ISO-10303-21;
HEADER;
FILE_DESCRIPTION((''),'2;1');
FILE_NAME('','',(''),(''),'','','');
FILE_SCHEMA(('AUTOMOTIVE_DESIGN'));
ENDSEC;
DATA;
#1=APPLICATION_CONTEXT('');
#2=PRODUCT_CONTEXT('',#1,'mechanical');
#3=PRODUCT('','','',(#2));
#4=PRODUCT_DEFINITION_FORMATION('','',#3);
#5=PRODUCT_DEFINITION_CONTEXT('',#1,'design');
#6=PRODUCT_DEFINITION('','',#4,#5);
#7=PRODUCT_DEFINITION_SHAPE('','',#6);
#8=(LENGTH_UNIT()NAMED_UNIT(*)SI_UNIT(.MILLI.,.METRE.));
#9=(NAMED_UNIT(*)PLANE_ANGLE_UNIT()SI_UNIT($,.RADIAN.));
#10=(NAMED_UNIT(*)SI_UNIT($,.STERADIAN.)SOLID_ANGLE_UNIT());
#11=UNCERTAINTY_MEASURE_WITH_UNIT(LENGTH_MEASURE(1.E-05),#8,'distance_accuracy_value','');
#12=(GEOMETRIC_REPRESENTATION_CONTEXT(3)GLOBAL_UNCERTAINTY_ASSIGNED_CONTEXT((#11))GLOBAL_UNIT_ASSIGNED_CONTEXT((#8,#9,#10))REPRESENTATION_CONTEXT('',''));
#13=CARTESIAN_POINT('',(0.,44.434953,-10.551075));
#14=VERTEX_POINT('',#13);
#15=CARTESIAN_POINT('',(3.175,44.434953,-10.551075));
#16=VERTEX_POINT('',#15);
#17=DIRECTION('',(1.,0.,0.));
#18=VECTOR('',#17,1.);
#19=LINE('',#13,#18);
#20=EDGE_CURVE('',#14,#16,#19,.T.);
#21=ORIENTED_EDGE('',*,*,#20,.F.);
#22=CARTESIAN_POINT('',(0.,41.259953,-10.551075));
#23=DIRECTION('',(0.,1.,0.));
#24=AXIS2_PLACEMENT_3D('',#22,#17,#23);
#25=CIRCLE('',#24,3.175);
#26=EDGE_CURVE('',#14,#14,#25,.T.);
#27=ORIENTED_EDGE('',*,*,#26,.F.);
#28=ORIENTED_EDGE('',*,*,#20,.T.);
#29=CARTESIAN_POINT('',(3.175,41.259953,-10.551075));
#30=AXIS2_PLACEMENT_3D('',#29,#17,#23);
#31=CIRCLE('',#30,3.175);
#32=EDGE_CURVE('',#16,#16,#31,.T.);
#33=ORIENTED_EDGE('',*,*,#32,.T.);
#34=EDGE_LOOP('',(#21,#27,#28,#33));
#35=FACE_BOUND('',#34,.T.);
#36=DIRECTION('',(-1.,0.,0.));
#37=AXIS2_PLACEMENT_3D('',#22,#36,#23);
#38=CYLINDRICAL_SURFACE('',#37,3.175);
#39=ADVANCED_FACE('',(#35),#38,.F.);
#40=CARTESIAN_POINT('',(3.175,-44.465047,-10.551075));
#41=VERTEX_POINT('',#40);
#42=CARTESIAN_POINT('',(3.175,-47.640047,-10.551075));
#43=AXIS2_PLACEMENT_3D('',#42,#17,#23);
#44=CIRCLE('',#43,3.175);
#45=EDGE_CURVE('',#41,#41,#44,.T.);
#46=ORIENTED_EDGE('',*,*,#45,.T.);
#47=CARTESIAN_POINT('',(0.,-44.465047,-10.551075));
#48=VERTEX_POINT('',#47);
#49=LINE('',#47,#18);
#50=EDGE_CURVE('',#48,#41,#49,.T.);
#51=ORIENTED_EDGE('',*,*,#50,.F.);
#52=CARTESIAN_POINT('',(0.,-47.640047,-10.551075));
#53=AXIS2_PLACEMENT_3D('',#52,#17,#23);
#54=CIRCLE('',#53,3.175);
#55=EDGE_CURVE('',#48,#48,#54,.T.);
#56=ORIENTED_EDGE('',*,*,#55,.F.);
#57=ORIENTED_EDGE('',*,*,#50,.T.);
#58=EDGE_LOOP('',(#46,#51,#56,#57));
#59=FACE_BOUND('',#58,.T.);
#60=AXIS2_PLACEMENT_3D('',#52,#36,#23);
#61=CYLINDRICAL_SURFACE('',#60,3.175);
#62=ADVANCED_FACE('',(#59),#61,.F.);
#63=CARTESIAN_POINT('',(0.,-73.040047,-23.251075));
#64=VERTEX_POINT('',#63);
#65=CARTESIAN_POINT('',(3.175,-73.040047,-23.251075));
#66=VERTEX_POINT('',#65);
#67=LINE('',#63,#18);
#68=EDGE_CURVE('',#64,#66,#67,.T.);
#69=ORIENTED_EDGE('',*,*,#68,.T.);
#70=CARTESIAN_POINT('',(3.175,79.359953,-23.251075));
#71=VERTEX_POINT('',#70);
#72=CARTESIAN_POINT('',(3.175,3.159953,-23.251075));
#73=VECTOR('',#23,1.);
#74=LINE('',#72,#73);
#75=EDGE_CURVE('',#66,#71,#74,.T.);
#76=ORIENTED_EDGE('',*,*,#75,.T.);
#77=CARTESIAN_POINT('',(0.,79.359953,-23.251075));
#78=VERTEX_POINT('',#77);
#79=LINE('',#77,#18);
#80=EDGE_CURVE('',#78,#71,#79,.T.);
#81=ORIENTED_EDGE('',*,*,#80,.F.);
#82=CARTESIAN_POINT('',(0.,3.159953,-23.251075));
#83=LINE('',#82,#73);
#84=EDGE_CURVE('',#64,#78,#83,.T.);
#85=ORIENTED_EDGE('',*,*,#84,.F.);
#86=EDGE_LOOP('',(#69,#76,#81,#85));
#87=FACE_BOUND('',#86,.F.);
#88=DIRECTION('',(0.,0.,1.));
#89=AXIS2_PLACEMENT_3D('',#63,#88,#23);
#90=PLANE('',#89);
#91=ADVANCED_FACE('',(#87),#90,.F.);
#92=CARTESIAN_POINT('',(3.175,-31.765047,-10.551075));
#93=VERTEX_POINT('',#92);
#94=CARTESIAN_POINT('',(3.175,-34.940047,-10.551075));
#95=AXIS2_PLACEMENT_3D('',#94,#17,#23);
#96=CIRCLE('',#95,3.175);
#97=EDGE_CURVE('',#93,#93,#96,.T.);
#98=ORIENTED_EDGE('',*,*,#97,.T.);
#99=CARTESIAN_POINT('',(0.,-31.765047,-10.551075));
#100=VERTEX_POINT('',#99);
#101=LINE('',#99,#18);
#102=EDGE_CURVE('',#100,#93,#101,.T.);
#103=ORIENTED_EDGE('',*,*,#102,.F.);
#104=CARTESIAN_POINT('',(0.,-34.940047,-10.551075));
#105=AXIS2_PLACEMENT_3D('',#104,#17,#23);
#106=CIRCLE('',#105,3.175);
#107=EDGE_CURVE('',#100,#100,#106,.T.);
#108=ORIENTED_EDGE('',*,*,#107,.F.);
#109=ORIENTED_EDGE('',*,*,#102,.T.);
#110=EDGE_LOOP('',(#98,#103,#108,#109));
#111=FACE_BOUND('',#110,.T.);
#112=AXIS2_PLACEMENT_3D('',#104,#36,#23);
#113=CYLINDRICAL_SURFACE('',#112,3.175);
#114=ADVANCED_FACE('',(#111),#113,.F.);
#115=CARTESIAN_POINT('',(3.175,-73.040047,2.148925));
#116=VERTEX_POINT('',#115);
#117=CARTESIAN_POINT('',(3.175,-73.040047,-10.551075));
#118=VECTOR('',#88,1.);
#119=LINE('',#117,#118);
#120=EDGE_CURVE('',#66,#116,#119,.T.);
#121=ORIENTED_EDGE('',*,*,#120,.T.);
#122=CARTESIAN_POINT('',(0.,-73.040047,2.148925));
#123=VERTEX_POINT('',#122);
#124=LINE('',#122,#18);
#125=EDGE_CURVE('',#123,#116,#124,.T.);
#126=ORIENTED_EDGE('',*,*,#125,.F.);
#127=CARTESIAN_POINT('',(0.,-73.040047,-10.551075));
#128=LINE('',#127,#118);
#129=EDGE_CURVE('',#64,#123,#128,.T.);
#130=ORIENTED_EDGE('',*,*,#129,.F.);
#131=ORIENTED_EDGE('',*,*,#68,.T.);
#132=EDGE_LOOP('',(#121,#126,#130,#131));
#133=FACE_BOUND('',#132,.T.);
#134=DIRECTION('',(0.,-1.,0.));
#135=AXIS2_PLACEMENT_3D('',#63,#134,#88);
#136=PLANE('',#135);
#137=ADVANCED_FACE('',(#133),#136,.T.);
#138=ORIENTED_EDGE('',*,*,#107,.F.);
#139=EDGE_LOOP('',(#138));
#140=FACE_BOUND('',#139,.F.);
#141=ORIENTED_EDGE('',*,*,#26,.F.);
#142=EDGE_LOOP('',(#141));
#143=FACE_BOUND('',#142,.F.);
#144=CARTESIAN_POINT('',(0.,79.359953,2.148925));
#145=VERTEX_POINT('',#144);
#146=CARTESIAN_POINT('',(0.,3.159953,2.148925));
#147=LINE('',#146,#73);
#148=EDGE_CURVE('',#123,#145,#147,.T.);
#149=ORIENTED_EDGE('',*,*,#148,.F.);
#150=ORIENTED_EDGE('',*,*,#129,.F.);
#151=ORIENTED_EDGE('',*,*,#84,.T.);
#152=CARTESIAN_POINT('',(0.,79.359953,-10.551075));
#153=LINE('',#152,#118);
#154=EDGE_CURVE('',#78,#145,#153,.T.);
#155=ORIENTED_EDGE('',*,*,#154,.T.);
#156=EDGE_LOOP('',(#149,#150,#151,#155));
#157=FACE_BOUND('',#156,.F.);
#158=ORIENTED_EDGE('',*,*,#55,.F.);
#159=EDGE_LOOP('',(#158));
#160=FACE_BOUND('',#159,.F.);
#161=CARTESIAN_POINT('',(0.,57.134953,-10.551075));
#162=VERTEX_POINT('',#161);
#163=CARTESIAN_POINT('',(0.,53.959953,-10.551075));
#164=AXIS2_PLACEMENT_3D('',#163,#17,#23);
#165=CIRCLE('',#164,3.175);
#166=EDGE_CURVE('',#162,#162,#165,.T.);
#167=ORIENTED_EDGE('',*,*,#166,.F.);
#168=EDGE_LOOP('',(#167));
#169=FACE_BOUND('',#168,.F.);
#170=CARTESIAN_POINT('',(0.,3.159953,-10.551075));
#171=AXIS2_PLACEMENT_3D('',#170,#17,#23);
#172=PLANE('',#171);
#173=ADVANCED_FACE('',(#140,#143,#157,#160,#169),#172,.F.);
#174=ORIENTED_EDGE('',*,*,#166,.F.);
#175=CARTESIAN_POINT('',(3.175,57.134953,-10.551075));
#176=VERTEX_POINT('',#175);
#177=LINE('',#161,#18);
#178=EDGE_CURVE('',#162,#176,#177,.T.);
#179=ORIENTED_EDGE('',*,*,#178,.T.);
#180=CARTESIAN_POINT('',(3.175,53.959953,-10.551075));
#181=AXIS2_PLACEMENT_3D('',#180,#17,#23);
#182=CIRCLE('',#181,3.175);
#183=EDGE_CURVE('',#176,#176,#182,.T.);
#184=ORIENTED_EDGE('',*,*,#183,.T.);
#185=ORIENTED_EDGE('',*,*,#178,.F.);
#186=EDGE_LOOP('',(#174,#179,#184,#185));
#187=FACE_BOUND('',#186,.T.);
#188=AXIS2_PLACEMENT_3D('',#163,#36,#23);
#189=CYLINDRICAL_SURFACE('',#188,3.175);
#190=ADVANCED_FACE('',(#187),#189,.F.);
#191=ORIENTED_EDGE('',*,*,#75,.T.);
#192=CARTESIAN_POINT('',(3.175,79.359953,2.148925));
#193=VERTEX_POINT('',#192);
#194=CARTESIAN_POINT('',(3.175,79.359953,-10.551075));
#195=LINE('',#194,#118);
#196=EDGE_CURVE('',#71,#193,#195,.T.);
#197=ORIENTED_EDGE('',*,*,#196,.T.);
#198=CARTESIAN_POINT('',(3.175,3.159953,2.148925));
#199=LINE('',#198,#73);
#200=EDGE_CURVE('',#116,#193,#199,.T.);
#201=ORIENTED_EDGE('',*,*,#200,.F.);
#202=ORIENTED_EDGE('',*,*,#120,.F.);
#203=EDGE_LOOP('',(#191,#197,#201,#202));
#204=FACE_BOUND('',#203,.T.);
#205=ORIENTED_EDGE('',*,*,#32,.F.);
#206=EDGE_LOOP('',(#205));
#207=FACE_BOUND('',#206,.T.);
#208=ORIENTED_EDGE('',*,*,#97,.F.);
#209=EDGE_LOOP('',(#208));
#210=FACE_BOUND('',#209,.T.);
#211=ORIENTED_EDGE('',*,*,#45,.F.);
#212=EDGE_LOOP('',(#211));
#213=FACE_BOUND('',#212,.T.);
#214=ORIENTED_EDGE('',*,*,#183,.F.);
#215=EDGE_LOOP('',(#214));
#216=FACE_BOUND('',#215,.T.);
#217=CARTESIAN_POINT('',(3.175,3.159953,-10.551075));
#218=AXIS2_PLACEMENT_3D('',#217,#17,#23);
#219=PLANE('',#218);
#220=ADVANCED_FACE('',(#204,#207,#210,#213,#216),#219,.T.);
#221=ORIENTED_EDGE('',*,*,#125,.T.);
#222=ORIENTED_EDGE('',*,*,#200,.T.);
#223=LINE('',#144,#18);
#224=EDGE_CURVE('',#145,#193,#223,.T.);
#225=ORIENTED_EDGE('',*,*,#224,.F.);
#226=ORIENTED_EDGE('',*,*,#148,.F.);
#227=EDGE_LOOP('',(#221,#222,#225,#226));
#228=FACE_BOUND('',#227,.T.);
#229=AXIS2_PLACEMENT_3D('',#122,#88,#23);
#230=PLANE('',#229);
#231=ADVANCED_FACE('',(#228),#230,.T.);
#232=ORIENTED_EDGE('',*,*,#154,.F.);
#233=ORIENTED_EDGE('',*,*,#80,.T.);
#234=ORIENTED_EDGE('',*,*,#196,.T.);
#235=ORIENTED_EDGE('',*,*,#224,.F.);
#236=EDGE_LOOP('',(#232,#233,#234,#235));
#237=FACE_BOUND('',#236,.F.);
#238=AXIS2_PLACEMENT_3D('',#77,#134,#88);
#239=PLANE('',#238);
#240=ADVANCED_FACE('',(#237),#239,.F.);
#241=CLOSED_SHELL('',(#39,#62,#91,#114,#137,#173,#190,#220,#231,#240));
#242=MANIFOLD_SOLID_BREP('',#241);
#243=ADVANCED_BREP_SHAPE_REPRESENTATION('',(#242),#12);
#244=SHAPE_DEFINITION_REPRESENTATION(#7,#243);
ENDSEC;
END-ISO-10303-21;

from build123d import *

# Parameters (mm, degrees)
F0_W     = 152.4
F0_H     = 25.4
F0_R     = 3.175
F1_DEPTH = 3.175


with BuildPart() as f1:
    # F0 (on Right) → F1 (new body)
    with BuildSketch(Plane.YZ):
        with Locations((3.159953, -10.551075)):
            Rectangle(F0_W, F0_H)
        with Locations((-47.640047, -10.551075)):
            Circle(F0_R, mode=Mode.SUBTRACT)
        with Locations((-34.940047, -10.551075)):
            Circle(F0_R, mode=Mode.SUBTRACT)
        with Locations((41.259953, -10.551075)):
            Circle(F0_R, mode=Mode.SUBTRACT)
        with Locations((53.959953, -10.551075)):
            Circle(F0_R, mode=Mode.SUBTRACT)
    extrude(amount=F1_DEPTH)


solid = f1.part
